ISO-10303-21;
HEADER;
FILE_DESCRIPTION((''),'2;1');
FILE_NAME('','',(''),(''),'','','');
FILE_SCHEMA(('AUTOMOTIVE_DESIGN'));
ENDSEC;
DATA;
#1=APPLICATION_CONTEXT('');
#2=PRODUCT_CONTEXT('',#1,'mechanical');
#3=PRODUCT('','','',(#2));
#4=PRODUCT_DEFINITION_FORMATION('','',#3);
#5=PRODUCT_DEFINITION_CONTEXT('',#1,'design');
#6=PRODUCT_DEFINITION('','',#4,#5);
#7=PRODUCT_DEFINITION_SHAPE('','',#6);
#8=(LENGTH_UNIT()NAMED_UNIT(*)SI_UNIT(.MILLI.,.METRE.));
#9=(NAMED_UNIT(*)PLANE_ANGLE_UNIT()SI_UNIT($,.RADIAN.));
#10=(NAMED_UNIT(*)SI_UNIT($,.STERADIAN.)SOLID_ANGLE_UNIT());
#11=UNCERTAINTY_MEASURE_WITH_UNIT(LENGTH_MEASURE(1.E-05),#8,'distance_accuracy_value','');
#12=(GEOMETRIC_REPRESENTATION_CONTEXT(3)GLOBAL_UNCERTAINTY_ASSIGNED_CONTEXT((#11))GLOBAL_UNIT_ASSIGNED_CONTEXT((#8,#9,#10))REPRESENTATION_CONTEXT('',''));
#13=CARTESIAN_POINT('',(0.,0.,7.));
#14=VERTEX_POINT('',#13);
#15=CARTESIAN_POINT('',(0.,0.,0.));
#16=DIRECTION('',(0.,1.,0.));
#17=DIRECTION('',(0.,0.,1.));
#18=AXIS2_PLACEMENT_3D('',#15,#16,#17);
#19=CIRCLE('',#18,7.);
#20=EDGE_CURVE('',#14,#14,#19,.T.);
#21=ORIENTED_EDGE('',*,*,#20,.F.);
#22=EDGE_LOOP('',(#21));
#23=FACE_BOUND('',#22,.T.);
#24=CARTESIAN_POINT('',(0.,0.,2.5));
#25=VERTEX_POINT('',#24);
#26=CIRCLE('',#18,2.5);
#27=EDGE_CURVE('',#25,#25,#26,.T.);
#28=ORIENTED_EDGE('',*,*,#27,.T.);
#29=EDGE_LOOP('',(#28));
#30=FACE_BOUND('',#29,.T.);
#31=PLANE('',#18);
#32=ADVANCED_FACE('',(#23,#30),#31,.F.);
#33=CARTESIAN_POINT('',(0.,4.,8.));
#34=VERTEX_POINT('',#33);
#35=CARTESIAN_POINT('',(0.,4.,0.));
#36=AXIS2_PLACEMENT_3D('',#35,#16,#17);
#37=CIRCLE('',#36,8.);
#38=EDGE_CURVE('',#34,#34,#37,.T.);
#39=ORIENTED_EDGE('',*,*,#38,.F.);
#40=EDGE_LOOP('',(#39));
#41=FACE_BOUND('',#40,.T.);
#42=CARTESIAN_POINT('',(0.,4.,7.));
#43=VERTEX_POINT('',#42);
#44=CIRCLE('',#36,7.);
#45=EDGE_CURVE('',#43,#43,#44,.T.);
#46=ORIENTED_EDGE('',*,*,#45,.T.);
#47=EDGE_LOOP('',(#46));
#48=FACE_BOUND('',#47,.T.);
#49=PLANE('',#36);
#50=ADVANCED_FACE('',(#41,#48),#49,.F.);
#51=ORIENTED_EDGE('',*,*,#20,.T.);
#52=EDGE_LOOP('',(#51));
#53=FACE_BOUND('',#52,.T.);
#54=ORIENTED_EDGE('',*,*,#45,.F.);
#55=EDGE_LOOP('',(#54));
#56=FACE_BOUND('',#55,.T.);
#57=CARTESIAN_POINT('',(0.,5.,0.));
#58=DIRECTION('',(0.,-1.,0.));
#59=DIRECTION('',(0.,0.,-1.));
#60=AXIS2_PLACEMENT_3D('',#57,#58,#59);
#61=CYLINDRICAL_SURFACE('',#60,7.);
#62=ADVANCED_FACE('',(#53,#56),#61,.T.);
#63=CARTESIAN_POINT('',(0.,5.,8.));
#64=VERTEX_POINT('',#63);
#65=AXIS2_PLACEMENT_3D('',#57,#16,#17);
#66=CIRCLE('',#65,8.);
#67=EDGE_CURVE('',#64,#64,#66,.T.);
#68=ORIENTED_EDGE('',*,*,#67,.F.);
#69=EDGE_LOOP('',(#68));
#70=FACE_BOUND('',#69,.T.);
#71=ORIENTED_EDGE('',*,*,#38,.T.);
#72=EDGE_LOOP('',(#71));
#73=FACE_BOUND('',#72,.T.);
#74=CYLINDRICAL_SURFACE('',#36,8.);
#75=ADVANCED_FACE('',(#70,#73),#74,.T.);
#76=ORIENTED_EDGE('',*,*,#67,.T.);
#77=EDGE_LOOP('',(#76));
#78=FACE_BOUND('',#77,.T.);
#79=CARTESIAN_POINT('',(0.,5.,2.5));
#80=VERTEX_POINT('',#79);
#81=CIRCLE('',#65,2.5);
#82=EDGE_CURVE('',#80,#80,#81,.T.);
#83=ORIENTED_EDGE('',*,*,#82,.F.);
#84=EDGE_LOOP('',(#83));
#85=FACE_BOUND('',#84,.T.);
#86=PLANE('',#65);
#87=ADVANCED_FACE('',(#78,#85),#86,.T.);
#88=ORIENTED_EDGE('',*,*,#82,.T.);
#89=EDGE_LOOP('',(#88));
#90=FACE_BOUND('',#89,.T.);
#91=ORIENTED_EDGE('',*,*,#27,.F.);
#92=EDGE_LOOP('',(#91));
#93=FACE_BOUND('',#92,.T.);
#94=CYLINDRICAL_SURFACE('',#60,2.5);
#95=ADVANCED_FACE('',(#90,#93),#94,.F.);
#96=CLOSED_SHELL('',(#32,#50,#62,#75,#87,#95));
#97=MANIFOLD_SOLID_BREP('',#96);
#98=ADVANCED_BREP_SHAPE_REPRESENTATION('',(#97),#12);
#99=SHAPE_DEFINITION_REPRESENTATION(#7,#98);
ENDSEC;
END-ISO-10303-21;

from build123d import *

# Parameters (mm, degrees)
SKETCH_1_R      = 7
SKETCH_1_R_2    = 2.5
EXTRUDE_1_DEPTH = 5
SKETCH_2_R      = 8
SKETCH_2_R_2    = 5.723236362
EXTRUDE_2_DEPTH = 1


with BuildPart() as part:
    # 스케치1 → 보스-돌출1 (new body)
    with BuildSketch(Plane(origin=(0, 0, 0), x_dir=(1, 0, 0), z_dir=(0, 1, 0))):
        with Locations(Location((0, 0, 0), (0, 0, 270))):
            Circle(SKETCH_1_R)
        with Locations(Location((0, 0, 0), (0, 0, 270))):
            Circle(SKETCH_1_R_2, mode=Mode.SUBTRACT)
    extrude(amount=EXTRUDE_1_DEPTH)

    # 스케치2 → 보스-돌출2 (add)
    with BuildSketch(Plane(origin=(0, 5, 0), x_dir=(1, 0, 0), z_dir=(0, 1, 0))):
        with Locations(Location((0, 0, 0), (0, 0, 270))):
            Circle(SKETCH_2_R)
        Circle(SKETCH_2_R_2, mode=Mode.SUBTRACT)
    extrude(amount=-EXTRUDE_2_DEPTH)


solid = part.part
